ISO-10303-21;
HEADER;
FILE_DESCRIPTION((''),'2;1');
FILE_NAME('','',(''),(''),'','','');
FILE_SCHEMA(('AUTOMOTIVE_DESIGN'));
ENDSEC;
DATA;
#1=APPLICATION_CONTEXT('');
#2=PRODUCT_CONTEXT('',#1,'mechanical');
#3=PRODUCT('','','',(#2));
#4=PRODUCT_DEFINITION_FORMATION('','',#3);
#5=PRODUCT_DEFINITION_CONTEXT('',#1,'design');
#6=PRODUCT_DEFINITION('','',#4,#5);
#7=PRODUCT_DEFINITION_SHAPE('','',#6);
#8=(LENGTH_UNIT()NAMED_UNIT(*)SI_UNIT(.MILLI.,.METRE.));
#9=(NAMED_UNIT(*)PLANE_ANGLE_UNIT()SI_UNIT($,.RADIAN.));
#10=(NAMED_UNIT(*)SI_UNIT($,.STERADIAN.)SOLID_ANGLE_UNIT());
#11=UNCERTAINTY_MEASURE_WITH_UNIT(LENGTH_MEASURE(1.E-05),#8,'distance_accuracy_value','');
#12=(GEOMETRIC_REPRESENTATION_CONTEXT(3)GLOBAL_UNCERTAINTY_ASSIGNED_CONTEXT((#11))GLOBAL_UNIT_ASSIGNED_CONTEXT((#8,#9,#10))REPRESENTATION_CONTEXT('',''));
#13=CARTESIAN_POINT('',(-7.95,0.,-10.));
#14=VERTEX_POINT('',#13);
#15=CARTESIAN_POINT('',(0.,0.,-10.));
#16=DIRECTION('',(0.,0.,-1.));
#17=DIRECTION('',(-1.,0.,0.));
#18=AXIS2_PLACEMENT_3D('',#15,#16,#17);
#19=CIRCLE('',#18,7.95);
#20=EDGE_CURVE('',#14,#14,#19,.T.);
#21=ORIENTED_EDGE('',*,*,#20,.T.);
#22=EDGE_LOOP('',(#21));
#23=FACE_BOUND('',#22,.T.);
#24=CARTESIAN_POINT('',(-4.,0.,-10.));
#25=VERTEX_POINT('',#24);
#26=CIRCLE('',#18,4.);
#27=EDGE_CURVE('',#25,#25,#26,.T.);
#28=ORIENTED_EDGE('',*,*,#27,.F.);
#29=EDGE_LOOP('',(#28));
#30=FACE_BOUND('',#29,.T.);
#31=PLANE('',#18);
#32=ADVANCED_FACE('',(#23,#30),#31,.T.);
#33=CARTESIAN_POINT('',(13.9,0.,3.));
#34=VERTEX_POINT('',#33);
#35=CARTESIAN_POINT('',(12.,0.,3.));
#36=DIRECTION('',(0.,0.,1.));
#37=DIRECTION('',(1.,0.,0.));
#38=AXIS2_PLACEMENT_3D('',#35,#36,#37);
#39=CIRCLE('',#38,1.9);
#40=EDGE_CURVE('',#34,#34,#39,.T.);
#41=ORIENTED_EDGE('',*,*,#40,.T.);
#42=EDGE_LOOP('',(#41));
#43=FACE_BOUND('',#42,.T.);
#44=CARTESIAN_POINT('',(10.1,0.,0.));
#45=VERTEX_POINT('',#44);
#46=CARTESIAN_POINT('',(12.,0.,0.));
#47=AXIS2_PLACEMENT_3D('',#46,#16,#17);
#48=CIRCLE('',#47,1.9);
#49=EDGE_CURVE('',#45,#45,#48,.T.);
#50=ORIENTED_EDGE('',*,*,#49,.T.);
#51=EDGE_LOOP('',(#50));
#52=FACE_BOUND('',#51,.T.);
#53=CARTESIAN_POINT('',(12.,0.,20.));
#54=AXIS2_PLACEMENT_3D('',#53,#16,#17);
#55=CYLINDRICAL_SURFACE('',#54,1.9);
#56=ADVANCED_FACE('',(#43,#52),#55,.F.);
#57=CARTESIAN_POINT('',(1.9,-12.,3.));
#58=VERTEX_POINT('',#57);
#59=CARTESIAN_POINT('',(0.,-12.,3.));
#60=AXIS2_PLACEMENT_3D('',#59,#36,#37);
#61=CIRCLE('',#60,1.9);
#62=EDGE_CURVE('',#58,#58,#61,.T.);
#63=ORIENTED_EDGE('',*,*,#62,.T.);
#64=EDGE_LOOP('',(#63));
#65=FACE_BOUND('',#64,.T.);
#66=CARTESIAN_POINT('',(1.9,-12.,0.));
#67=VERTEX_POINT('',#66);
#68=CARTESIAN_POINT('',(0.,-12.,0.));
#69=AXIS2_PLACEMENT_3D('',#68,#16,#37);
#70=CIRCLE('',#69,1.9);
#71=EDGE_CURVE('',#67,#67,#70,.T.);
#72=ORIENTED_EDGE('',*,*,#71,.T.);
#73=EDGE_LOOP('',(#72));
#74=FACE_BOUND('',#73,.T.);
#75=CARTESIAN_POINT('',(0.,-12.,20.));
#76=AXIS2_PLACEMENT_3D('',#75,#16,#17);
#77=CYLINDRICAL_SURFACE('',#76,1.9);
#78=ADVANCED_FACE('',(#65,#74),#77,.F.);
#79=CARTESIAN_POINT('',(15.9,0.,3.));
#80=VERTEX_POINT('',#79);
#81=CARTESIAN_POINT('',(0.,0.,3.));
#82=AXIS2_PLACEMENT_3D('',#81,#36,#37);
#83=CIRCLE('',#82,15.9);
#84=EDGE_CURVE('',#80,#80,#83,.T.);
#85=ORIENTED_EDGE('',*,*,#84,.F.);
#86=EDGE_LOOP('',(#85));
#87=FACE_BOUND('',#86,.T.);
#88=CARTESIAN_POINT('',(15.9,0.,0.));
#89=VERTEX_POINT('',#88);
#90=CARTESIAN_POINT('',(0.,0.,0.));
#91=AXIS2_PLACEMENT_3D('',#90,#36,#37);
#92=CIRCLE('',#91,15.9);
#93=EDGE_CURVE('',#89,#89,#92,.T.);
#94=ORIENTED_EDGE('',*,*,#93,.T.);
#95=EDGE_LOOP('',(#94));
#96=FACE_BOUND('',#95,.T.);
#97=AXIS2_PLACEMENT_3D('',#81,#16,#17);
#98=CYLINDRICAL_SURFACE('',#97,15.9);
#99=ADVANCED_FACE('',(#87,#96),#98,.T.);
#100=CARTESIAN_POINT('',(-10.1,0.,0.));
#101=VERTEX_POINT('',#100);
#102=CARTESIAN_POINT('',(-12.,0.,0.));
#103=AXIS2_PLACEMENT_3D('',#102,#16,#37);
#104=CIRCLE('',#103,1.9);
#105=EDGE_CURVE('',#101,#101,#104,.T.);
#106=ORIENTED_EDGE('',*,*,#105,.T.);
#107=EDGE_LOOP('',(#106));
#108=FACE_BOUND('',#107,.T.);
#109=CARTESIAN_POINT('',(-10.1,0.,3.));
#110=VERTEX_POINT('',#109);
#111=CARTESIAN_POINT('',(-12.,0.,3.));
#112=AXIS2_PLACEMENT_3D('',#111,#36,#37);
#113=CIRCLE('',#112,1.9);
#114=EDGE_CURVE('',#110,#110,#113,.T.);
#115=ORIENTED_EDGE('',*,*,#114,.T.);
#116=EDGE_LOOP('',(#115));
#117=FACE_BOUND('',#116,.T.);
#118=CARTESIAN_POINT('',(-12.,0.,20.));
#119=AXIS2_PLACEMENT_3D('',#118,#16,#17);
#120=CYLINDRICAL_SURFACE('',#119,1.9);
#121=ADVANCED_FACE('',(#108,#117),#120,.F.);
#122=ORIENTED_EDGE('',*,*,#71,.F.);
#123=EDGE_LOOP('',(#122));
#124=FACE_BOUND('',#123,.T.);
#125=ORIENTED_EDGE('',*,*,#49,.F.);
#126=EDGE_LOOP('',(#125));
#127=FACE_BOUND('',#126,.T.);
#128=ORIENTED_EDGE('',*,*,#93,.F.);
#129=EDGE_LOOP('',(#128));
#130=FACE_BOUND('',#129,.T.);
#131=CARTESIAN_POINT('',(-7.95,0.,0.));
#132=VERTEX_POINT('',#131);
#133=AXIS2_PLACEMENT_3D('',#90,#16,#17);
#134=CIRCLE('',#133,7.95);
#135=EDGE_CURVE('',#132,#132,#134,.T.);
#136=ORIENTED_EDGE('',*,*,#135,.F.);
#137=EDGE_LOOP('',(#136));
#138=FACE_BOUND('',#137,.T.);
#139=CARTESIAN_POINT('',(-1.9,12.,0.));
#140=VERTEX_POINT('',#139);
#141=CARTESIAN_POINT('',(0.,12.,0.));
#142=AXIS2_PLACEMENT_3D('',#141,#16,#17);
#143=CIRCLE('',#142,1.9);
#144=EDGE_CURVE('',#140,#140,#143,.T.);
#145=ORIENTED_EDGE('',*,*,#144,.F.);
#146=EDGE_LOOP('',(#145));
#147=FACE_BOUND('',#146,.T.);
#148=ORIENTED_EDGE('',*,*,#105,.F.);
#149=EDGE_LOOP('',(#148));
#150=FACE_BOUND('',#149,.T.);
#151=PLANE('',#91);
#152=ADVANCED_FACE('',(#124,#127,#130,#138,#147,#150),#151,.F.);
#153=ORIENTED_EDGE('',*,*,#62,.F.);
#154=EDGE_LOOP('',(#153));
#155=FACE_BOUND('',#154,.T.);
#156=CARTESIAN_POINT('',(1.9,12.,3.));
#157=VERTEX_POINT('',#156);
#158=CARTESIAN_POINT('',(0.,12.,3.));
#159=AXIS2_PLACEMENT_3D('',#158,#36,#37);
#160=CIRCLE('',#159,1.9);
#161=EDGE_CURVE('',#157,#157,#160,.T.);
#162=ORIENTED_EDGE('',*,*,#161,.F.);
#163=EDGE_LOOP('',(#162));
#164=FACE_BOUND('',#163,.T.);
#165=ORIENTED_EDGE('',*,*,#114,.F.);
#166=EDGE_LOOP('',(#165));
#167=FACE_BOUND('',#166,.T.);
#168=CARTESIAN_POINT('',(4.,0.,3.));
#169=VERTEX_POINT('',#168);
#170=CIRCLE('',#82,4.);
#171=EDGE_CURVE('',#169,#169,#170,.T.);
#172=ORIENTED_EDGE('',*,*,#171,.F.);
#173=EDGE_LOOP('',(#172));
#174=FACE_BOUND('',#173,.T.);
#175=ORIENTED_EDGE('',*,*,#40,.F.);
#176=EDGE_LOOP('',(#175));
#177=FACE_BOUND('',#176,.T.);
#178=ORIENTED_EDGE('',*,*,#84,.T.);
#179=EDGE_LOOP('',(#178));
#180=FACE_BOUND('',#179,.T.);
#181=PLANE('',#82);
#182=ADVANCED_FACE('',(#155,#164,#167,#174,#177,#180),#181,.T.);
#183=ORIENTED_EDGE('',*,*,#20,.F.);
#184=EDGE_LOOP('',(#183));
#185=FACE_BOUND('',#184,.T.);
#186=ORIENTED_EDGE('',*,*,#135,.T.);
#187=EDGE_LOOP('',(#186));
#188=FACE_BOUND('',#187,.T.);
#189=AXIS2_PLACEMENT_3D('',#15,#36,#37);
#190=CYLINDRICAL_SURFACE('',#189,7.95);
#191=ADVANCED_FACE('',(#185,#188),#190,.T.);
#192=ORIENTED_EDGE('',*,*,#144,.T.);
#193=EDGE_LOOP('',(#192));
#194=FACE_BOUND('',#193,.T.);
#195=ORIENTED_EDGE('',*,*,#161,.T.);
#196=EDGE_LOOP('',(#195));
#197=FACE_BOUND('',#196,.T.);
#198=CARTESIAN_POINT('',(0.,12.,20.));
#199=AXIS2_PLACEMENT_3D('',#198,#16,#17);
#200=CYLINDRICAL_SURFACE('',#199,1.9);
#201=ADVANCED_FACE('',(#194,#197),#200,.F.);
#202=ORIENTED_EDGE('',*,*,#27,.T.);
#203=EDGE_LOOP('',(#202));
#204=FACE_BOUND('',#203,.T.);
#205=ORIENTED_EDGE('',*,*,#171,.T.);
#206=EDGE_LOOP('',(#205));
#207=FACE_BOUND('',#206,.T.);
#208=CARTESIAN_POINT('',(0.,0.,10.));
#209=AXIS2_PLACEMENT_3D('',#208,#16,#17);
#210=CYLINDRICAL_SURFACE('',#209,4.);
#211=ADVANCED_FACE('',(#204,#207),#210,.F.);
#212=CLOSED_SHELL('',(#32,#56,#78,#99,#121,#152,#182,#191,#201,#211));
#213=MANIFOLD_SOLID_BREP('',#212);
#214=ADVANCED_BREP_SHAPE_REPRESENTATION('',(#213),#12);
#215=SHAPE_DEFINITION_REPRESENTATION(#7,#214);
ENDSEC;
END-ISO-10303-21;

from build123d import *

# Parameters (mm, degrees)
SKETCH1_R           = 15.9
BOSS_EXTRUDE1_DEPTH = 3
SKETCH2_R           = 7.95
BOSS_EXTRUDE2_DEPTH = 10
SKETCH3_R           = 4
CUT_EXTRUDE1_DEPTH  = 20
SKETCH4_R           = 1.9
CUT_EXTRUDE2_DEPTH  = 20


with BuildPart() as part:
    # Sketch1 → Boss-Extrude1 (new body)
    with BuildSketch(Plane.XY):
        Circle(SKETCH1_R)
    extrude(amount=BOSS_EXTRUDE1_DEPTH)

    # Sketch2 → Boss-Extrude2 (add)
    with BuildSketch(Plane(origin=(0, 0, 0), x_dir=(-1, 0, 0), z_dir=(0, 0, -1))):
        Circle(SKETCH2_R)
    extrude(amount=BOSS_EXTRUDE2_DEPTH)

    # Sketch3 → Cut-Extrude1 (cut)
    with BuildSketch(Plane(origin=(0, 0, -10), x_dir=(-1, 0, 0), z_dir=(0, 0, -1))):
        Circle(SKETCH3_R)
    extrude(amount=-CUT_EXTRUDE1_DEPTH, mode=Mode.SUBTRACT)

    # Sketch4 → Cut-Extrude2 (cut)
    with BuildSketch(Plane(origin=(0, 0, 0), x_dir=(-1, 0, 0), z_dir=(0, 0, -1))):
        with Locations((0, 12)):
            Circle(SKETCH4_R)
        with Locations((-12, 0)):
            Circle(SKETCH4_R)
        with Locations((12, 0)):
            Circle(SKETCH4_R)
        with Locations((0, -12)):
            Circle(SKETCH4_R)
    extrude(amount=-CUT_EXTRUDE2_DEPTH, mode=Mode.SUBTRACT)


solid = part.part
